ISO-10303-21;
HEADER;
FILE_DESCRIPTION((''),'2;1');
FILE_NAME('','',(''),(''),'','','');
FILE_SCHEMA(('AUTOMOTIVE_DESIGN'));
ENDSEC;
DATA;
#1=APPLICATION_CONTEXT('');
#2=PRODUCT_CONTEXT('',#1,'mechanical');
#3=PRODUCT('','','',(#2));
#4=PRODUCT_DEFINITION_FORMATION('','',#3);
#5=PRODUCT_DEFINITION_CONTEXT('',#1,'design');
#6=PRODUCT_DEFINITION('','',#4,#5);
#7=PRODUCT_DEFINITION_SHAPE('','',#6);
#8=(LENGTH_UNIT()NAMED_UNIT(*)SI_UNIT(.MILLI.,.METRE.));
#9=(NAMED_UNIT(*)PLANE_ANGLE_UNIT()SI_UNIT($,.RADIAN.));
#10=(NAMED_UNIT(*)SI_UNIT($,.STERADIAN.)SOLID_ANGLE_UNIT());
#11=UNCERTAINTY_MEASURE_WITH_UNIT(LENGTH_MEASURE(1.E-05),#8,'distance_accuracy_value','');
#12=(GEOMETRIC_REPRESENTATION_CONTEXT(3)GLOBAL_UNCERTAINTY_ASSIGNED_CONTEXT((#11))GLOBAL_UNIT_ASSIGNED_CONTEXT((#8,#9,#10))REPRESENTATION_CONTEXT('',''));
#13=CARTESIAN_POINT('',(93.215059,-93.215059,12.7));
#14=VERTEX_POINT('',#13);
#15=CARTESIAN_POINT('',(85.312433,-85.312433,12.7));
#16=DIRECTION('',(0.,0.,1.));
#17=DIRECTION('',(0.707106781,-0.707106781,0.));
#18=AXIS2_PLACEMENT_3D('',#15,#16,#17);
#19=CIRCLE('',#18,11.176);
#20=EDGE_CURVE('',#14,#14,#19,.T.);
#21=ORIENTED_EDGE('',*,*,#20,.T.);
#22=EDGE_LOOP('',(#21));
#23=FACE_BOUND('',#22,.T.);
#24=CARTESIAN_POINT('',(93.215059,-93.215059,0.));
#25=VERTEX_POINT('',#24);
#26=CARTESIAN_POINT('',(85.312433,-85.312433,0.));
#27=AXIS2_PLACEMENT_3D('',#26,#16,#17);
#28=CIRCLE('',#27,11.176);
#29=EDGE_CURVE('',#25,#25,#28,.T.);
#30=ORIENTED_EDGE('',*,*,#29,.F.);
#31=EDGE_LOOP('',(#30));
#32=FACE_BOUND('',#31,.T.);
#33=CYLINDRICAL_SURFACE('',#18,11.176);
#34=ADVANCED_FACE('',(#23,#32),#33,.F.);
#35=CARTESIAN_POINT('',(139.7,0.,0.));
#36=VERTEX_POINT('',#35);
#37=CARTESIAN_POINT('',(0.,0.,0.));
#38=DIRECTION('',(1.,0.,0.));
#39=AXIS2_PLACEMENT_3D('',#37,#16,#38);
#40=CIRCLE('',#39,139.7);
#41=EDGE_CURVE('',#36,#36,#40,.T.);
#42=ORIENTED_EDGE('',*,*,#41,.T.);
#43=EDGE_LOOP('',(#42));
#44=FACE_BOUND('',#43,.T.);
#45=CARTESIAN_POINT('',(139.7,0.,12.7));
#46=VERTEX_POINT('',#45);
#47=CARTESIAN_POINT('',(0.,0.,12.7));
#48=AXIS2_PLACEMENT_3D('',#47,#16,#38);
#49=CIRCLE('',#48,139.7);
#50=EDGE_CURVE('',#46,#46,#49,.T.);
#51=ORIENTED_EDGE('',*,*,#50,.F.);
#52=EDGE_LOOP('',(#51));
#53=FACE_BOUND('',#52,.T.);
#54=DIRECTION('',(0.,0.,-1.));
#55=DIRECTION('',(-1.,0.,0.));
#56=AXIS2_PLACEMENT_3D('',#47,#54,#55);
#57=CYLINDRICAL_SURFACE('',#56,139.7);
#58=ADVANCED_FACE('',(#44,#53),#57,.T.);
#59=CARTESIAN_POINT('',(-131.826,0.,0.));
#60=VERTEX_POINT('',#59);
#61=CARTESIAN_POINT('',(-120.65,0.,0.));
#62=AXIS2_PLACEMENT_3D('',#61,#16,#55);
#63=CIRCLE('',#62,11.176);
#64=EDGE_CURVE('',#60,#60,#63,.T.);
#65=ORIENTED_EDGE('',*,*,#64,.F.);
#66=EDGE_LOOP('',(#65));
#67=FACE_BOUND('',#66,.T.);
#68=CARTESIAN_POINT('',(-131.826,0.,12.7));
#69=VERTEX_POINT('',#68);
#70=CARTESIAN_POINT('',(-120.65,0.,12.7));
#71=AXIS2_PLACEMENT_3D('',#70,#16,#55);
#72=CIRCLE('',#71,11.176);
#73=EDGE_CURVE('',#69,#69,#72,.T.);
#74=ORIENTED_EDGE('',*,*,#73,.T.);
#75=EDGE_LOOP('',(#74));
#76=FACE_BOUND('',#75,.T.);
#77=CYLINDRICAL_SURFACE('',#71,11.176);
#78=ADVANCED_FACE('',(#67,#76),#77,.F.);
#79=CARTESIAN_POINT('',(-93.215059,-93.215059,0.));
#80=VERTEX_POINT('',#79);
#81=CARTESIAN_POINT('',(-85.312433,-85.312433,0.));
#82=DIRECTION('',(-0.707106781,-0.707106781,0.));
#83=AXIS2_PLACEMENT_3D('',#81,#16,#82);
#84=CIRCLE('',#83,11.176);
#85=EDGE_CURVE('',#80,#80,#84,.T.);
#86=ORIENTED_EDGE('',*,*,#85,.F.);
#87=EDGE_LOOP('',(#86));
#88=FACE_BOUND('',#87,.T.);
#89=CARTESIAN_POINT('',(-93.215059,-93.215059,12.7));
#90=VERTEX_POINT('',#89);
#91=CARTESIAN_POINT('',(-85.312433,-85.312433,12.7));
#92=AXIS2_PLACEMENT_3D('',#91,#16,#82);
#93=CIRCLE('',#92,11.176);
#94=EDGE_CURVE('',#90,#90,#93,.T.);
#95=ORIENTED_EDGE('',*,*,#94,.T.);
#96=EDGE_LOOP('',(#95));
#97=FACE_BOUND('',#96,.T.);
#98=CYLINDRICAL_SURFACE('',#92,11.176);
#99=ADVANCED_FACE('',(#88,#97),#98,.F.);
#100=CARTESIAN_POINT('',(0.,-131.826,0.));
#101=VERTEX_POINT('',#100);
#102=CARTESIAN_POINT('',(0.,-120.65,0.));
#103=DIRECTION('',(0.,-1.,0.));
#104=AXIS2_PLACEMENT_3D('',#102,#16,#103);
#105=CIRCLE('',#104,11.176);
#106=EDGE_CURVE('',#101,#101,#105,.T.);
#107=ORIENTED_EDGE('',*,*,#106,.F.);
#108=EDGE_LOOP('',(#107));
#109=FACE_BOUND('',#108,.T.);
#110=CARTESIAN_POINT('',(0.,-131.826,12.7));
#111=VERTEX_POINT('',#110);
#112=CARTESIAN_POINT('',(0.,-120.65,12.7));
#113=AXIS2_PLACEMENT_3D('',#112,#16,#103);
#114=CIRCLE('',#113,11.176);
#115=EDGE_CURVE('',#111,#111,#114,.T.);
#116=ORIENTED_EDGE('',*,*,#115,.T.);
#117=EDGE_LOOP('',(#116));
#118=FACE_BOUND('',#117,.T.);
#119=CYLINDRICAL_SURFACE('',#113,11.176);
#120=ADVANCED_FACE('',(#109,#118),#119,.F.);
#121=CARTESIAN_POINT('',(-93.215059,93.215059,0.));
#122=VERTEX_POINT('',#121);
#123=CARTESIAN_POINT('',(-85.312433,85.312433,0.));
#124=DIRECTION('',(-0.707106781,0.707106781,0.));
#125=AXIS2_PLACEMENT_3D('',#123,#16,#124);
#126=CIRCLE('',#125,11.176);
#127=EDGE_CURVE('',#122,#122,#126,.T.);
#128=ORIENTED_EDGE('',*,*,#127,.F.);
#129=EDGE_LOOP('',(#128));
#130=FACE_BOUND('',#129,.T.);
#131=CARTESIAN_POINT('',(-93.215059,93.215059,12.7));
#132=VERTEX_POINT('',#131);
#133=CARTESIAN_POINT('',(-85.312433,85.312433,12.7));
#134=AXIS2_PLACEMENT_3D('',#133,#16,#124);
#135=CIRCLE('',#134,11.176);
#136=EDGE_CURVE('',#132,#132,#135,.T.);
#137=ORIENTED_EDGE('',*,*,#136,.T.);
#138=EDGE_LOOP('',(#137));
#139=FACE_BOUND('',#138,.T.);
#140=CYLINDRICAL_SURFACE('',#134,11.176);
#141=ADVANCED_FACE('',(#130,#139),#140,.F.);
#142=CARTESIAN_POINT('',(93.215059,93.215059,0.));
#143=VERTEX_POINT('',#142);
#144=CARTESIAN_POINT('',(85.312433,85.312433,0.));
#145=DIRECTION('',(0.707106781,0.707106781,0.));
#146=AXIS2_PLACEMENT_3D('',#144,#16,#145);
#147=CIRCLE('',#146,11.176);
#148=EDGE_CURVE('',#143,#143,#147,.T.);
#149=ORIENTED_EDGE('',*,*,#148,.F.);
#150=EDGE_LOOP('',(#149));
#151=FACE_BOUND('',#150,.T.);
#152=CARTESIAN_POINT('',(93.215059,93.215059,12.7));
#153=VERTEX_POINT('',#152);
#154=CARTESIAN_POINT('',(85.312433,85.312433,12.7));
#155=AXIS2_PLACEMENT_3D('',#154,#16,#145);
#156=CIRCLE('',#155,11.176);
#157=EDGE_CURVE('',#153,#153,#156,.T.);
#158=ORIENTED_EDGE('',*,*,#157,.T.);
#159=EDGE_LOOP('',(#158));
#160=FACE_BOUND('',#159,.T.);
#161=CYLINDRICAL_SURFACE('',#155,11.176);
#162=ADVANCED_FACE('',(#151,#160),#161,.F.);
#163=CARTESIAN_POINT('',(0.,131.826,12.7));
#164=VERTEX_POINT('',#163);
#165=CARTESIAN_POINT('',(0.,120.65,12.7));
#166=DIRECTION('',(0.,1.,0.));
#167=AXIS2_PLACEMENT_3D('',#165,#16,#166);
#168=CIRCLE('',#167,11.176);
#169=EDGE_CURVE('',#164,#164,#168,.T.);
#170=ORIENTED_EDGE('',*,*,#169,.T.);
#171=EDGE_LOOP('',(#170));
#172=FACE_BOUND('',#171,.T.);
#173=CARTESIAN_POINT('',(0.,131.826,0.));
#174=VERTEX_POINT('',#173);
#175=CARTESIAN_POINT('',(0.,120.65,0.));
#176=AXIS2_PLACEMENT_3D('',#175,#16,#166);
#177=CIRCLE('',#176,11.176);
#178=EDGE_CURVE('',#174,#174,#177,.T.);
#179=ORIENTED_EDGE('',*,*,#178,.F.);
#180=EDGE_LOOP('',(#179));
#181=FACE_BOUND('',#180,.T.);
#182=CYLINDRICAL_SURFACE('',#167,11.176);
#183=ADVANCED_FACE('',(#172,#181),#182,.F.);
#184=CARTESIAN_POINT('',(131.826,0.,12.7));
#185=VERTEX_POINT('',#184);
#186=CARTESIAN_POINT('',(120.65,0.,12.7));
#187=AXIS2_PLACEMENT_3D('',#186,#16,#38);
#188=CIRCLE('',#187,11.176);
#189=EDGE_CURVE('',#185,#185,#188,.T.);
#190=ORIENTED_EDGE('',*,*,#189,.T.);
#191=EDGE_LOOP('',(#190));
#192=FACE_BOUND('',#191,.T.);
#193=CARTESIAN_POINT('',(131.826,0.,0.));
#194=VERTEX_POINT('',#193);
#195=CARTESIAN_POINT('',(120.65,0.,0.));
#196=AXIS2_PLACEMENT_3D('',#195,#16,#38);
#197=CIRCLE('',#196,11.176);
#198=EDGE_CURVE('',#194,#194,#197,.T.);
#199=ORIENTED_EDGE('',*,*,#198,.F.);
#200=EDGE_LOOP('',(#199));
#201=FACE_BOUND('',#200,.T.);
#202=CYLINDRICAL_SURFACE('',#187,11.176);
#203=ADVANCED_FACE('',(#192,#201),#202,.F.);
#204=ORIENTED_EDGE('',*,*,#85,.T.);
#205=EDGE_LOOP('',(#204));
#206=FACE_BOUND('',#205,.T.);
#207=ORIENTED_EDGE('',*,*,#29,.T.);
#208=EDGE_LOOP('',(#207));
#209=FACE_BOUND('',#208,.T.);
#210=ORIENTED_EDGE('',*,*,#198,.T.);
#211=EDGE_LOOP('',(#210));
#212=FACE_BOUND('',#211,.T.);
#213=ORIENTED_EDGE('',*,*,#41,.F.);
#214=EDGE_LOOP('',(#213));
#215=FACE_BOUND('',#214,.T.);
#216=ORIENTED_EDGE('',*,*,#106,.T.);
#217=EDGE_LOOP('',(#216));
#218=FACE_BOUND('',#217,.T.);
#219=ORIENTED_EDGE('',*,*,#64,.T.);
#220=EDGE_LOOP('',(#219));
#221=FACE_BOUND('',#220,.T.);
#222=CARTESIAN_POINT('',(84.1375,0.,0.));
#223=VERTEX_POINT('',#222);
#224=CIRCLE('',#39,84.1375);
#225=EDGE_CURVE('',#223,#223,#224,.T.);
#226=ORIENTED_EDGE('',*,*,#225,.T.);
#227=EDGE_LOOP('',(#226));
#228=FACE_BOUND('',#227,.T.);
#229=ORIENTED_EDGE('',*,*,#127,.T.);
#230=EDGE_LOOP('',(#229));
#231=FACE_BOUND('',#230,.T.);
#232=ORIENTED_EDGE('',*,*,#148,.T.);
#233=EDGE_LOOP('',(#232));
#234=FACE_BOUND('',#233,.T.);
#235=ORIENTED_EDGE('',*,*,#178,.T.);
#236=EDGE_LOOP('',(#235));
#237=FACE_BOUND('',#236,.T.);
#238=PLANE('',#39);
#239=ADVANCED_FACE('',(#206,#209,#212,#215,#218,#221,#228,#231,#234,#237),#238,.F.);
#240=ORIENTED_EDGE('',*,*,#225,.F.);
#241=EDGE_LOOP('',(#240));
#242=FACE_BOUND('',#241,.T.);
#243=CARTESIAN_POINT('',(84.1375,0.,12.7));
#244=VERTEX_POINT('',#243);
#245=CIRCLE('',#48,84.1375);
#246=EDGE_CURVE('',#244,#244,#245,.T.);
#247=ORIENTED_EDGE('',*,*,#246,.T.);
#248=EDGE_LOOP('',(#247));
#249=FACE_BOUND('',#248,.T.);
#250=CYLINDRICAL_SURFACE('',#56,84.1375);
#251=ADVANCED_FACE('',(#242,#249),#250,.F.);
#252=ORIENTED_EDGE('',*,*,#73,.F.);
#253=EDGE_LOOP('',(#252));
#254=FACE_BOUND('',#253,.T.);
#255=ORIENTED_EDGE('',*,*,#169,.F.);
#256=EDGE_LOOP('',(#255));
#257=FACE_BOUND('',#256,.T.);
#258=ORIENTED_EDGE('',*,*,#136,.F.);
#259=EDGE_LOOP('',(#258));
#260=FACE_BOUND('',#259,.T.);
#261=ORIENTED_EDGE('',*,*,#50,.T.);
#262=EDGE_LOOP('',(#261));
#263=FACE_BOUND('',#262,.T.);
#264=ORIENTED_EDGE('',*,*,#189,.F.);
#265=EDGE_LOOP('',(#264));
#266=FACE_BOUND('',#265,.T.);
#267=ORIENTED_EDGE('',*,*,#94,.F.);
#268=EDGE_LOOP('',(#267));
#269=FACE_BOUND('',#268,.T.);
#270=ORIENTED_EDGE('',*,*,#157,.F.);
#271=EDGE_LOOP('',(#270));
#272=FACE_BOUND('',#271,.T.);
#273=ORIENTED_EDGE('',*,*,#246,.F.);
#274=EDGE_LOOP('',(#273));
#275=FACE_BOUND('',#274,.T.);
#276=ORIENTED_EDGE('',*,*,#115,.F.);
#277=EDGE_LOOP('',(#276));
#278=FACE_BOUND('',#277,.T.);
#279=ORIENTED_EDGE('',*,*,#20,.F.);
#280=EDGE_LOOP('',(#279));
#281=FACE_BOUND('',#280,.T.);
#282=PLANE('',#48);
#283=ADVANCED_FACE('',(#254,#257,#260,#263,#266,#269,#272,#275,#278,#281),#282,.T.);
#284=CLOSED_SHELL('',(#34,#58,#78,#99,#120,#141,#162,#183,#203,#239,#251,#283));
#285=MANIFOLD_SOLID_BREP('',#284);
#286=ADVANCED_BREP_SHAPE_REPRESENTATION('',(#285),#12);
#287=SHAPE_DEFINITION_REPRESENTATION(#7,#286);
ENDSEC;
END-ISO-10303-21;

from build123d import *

# Parameters (mm, degrees)
SKETCH1_R           = 139.7
SKETCH1_R_2         = 84.1375
BOSS_EXTRUDE1_DEPTH = 12.7
SKETCH2_W           = 11.176
SKETCH2_H           = 12.7
CIRPATTERN1_COUNT   = 8


with BuildPart() as part:
    # Sketch1 → Boss-Extrude1 (new body)
    with BuildSketch(Plane.XY):
        Circle(SKETCH1_R)
        Circle(SKETCH1_R_2, mode=Mode.SUBTRACT)
    extrude(amount=BOSS_EXTRUDE1_DEPTH)

    # Sketch2 → 7/8 (0.88) Diameter Hole1 (revolve, cut)
    with BuildSketch(Plane(origin=(120.65, 0, 12.7), x_dir=(0, -1, 0), z_dir=(1, 0, 0))):
        with Locations((5.588, 6.35)):
            Rectangle(SKETCH2_W, SKETCH2_H)
    f_7_8_0_88_diameter_hole1 = revolve(axis=Axis((120.65, 0, 19.05), (0, 0, -1)), mode=Mode.SUBTRACT)

    # CirPattern1: 7/8 (0.88) Diameter Hole1 ×8 about axis
    cirpattern1_axis = Axis((0, 0, 0), (0, 0, 1))
    for i in range(1, CIRPATTERN1_COUNT):
        add(f_7_8_0_88_diameter_hole1.rotate(cirpattern1_axis, i * 360 / CIRPATTERN1_COUNT), mode=Mode.SUBTRACT)


solid = part.part
